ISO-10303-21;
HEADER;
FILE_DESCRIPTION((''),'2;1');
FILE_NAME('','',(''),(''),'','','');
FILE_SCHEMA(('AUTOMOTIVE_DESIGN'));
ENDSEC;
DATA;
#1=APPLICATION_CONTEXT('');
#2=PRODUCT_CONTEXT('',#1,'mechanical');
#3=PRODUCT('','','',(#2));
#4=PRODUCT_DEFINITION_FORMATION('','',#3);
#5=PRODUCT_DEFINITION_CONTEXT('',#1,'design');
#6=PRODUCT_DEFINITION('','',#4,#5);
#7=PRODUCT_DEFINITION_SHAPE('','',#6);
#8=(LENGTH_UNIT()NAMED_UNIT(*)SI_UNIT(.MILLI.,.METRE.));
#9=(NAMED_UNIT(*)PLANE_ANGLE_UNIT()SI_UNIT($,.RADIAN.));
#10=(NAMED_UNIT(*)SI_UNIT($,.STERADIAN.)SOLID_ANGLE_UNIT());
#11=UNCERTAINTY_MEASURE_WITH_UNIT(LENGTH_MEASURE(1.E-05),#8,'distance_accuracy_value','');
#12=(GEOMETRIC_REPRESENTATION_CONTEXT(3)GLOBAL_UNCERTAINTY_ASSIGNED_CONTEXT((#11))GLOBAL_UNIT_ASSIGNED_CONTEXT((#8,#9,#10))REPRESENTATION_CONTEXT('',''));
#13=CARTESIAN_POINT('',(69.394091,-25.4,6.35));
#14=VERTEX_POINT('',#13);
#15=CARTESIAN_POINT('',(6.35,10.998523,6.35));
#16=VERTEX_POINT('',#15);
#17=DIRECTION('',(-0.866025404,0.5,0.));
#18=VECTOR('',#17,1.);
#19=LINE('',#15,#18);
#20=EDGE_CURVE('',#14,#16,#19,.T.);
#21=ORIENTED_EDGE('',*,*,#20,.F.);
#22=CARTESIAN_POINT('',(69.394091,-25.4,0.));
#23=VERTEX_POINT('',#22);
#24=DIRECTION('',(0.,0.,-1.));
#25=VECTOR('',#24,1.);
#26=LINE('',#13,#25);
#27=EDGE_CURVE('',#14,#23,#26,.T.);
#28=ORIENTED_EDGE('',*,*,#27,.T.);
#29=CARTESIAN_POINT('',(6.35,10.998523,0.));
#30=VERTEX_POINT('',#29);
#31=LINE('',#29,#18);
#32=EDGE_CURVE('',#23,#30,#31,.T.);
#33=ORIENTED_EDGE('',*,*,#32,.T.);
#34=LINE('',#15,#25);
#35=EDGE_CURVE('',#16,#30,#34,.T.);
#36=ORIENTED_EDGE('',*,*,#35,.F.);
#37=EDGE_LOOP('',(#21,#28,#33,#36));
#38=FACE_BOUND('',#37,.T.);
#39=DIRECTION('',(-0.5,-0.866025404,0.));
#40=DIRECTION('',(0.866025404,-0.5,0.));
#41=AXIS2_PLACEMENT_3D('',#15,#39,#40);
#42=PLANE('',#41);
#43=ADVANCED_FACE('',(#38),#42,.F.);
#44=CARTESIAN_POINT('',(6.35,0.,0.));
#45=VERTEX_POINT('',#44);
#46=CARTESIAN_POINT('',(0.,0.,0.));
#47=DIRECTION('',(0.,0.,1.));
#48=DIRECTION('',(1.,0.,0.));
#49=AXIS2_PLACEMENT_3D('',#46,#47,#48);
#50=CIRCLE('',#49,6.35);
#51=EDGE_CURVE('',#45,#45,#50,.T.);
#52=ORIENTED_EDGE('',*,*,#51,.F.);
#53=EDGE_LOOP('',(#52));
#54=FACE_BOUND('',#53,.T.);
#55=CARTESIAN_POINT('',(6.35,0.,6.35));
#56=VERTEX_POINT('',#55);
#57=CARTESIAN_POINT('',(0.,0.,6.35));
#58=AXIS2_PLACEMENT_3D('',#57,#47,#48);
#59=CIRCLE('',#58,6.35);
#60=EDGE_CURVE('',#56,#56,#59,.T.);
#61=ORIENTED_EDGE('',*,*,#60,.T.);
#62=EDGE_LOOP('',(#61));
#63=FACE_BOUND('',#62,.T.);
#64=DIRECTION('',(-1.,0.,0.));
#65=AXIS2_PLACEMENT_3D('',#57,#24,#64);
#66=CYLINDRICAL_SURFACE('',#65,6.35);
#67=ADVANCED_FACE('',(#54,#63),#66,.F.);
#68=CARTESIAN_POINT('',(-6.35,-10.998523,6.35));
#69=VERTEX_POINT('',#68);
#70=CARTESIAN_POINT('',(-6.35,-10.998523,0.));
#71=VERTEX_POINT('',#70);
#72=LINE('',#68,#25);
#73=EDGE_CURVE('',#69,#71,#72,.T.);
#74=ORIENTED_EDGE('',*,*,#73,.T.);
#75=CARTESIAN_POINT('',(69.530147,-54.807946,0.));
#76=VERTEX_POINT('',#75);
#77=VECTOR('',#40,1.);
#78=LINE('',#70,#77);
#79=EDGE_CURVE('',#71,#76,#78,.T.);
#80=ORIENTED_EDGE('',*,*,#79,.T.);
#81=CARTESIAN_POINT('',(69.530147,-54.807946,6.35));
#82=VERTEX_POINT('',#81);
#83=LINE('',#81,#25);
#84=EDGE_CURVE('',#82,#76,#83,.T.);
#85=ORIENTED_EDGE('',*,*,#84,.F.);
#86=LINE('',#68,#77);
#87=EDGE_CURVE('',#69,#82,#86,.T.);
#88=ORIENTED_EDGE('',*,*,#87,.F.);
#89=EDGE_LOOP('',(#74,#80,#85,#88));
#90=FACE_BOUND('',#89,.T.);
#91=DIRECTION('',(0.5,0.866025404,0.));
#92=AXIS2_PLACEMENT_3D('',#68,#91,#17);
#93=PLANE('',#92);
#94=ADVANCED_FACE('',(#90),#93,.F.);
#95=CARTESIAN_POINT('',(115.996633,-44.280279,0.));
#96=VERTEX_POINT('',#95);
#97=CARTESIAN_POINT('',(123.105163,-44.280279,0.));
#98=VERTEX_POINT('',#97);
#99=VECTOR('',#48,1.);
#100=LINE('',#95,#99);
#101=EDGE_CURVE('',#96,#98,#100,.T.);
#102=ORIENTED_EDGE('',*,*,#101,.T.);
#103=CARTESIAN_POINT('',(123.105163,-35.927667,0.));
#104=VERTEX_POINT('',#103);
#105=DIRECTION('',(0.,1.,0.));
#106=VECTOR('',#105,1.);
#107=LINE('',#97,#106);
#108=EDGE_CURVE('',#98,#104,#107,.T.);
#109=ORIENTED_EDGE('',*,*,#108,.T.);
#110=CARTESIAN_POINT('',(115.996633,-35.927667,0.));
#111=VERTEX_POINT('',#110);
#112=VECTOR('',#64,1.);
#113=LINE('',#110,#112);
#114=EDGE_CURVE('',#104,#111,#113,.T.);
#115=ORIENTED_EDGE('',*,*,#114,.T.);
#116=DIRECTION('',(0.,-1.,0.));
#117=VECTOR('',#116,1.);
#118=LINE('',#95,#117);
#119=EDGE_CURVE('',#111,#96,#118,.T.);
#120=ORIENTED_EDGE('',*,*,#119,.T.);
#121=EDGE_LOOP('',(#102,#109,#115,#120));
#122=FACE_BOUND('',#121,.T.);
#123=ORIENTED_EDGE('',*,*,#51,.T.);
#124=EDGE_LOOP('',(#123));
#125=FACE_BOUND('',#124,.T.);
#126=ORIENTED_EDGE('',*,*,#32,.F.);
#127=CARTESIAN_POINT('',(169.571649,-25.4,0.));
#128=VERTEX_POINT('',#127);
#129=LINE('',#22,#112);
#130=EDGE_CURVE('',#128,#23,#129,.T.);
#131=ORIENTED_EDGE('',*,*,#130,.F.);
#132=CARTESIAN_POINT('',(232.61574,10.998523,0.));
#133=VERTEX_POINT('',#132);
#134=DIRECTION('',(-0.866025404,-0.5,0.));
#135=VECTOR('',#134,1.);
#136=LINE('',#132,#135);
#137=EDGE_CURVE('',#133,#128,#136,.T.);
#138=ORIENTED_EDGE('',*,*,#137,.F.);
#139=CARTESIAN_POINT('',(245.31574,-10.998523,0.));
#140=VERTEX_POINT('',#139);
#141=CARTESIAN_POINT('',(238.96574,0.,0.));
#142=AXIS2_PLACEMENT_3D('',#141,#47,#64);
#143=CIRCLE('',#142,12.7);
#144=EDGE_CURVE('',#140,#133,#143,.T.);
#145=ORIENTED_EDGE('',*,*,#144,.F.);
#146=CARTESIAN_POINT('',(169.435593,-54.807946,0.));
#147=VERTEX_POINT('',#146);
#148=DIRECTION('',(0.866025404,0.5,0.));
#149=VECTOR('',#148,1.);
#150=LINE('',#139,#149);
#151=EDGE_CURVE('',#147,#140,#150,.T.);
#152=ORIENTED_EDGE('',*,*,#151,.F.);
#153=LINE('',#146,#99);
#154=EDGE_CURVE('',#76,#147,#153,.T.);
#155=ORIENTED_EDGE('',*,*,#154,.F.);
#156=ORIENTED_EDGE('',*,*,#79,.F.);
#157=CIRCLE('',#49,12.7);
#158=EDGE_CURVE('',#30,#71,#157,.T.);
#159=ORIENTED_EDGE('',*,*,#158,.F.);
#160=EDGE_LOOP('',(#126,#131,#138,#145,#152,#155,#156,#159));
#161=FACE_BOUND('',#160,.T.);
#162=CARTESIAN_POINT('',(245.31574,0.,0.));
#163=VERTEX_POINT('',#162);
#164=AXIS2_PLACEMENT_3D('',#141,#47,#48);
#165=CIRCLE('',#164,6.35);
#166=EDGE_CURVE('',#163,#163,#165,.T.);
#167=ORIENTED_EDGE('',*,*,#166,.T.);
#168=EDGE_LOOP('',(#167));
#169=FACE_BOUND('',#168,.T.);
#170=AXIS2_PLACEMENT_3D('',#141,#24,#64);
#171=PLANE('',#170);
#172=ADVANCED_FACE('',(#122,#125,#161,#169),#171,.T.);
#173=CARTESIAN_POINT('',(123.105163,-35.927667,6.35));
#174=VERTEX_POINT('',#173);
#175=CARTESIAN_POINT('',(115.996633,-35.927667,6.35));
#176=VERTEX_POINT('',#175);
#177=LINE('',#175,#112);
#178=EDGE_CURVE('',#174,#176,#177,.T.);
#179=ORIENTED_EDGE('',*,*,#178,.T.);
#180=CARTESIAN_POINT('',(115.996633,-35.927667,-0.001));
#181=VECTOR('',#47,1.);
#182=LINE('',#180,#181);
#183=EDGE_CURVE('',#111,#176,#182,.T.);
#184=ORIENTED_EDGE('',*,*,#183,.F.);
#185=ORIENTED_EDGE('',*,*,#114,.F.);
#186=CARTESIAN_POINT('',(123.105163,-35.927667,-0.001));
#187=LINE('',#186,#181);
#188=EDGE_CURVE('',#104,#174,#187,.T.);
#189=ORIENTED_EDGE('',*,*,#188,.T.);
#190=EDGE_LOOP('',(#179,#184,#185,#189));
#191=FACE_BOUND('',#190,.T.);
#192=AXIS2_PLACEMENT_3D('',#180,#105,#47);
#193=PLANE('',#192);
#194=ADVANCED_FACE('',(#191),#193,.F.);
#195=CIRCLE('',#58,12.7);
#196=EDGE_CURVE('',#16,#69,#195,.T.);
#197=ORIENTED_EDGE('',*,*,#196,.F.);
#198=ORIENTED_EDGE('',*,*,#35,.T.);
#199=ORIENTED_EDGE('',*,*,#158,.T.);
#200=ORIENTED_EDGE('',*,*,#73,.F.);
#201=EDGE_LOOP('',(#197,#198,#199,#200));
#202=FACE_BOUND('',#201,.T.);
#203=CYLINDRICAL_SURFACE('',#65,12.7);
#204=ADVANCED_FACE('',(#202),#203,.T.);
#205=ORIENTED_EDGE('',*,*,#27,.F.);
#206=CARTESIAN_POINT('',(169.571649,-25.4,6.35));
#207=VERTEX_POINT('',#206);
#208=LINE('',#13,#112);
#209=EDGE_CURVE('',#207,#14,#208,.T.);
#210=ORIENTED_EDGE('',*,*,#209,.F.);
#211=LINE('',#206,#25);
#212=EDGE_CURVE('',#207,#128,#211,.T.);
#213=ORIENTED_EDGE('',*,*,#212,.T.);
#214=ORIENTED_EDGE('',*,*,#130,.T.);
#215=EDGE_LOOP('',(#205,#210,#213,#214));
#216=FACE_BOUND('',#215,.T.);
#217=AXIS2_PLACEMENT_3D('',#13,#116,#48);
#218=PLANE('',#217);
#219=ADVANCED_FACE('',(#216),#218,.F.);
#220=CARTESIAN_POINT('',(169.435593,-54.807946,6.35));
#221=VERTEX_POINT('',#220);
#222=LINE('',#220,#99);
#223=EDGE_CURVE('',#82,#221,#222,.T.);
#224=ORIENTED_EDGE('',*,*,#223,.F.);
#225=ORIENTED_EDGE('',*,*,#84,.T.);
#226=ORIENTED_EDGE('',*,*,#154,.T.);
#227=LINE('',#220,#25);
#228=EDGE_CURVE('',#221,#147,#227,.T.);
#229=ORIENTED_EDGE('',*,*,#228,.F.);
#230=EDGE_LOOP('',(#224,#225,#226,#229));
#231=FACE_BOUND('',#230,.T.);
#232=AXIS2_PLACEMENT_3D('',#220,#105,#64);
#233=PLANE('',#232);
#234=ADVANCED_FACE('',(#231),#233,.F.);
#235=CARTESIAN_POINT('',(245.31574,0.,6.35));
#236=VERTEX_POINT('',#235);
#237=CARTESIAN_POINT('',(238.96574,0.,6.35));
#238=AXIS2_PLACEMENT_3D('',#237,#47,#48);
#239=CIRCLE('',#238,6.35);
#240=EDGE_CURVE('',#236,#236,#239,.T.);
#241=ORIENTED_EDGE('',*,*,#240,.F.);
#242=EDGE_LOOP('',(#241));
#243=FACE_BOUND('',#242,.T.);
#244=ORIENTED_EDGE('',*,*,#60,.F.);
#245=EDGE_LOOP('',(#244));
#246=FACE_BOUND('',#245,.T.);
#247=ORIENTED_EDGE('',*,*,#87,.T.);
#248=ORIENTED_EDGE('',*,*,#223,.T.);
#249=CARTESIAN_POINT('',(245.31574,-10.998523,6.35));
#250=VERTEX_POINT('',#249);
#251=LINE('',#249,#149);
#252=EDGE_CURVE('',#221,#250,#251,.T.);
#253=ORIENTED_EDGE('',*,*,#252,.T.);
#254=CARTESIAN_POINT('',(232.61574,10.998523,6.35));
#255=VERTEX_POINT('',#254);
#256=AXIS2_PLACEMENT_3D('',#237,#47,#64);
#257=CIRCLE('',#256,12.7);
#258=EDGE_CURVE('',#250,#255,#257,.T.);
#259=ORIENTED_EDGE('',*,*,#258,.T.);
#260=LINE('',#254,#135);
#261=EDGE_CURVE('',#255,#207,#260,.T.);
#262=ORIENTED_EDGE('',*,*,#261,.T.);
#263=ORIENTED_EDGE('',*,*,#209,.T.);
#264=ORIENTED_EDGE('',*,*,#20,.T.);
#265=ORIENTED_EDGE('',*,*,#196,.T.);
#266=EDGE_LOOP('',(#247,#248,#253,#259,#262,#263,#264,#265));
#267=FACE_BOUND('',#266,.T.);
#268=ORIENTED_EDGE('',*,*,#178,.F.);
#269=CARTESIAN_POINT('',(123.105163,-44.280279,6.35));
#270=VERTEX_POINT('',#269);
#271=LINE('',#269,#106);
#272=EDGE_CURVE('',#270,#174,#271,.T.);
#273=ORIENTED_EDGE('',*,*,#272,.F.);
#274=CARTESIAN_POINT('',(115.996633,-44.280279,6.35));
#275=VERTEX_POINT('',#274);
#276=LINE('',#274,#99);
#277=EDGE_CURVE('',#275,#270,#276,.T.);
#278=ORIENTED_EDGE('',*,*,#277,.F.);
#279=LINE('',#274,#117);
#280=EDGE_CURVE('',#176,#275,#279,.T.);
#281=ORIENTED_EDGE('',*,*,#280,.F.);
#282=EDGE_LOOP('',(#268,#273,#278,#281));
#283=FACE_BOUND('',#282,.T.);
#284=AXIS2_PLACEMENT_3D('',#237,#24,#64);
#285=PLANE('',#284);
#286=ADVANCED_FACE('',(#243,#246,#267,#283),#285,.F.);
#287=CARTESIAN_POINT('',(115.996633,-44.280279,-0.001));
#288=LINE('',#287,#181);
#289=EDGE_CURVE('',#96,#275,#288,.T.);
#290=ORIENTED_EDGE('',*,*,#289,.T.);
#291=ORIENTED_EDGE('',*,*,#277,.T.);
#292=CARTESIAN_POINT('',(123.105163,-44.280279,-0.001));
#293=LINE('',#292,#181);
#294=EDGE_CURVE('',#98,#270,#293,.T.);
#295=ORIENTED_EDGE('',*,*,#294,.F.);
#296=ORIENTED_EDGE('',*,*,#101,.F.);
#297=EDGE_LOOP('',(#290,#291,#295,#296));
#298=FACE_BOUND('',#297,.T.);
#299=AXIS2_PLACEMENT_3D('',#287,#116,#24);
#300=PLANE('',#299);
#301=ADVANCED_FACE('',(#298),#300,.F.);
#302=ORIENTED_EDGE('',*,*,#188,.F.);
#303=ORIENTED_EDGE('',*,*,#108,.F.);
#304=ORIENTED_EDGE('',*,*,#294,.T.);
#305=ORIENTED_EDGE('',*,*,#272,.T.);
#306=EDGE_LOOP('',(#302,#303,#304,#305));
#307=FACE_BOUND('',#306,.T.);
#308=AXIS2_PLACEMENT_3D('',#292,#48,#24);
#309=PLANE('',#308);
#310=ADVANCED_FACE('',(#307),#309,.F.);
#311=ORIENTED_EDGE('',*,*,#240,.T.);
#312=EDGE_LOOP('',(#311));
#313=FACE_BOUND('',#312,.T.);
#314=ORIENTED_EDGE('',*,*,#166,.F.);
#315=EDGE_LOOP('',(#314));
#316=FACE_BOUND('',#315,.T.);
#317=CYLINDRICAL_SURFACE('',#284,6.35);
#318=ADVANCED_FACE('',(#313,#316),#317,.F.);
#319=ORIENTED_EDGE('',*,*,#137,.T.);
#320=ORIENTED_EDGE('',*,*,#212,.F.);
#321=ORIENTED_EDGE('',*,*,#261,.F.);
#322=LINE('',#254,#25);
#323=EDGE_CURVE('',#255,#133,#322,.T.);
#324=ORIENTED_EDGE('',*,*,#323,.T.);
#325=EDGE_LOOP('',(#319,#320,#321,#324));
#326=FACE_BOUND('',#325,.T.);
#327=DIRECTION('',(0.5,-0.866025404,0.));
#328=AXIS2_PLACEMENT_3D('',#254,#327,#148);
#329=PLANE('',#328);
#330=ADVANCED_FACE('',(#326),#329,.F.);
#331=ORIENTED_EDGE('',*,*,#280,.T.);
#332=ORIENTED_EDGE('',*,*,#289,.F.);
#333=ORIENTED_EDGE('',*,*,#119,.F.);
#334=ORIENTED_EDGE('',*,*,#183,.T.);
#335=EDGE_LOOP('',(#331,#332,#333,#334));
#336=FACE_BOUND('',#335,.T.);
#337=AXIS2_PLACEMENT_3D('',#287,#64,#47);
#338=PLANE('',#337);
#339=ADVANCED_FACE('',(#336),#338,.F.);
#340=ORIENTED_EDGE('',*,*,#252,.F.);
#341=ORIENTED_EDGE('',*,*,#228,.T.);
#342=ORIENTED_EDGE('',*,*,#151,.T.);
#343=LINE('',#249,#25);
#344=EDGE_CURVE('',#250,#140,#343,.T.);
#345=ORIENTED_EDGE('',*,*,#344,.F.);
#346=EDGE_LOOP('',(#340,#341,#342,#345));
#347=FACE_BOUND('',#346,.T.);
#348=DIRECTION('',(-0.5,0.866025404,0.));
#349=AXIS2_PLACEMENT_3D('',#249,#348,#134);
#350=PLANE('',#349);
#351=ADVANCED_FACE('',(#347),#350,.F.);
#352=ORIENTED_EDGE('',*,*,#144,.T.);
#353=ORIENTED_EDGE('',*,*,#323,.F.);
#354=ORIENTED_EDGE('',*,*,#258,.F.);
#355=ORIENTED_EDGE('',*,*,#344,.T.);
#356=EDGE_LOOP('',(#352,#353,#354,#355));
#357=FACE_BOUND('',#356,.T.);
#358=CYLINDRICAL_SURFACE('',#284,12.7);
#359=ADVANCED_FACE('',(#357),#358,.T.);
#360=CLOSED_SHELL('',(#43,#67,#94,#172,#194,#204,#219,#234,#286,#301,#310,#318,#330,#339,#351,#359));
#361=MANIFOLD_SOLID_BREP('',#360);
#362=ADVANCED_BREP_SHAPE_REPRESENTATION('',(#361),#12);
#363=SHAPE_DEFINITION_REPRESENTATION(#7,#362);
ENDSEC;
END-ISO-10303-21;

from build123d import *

# Parameters (mm, degrees)
SKETCH1_R           = 6.35
BOSS_EXTRUDE1_DEPTH = 6.35
CUT_EXTRUDE1_REACH  = 259.643
SKETCH2_W           = 7.108529786
SKETCH2_H           = 8.352611846


with BuildPart() as part:
    # Sketch1 → Boss-Extrude1 (new body)
    with BuildSketch(Plane.XY):
        with BuildLine():
            Line((6.35, 10.998522628), (69.394090512, -25.4))
            Line((69.394090512, -25.4), (169.571649488, -25.4))
            Line((169.571649488, -25.4), (232.61574, 10.998522628))
            ThreePointArc((232.61574, 10.998522628), (249.964262628, 6.35), (245.31574, -10.998522628))
            Line((245.31574, -10.998522628), (169.435593158, -54.807945834))
            Line((169.435593158, -54.807945834), (69.530146842, -54.807945834))
            Line((69.530146842, -54.807945834), (-6.35, -10.998522628))
            ThreePointArc((-6.35, -10.998522628), (-10.998522628, 6.35), (6.35, 10.998522628))
        make_face()
        Circle(SKETCH1_R, mode=Mode.SUBTRACT)
        with Locations((238.96574, 0)):
            Circle(SKETCH1_R, mode=Mode.SUBTRACT)
    extrude(amount=BOSS_EXTRUDE1_DEPTH)

    # Sketch2 → Cut-Extrude1 (cut, up to next)
    with BuildSketch(Plane.XY.offset(6.35), mode=Mode.PRIVATE) as cut_extrude1_sk1:
        with Locations((119.550898165, -40.103972917)):
            Rectangle(SKETCH2_W, SKETCH2_H)
    cut_extrude1_tool1 = extrude(cut_extrude1_sk1.sketch, amount=-CUT_EXTRUDE1_REACH, mode=Mode.PRIVATE) & part.part
    add(cut_extrude1_tool1.solids().sort_by_distance((119.550898, -40.103973, 6.35))[0], mode=Mode.SUBTRACT)


solid = part.part
